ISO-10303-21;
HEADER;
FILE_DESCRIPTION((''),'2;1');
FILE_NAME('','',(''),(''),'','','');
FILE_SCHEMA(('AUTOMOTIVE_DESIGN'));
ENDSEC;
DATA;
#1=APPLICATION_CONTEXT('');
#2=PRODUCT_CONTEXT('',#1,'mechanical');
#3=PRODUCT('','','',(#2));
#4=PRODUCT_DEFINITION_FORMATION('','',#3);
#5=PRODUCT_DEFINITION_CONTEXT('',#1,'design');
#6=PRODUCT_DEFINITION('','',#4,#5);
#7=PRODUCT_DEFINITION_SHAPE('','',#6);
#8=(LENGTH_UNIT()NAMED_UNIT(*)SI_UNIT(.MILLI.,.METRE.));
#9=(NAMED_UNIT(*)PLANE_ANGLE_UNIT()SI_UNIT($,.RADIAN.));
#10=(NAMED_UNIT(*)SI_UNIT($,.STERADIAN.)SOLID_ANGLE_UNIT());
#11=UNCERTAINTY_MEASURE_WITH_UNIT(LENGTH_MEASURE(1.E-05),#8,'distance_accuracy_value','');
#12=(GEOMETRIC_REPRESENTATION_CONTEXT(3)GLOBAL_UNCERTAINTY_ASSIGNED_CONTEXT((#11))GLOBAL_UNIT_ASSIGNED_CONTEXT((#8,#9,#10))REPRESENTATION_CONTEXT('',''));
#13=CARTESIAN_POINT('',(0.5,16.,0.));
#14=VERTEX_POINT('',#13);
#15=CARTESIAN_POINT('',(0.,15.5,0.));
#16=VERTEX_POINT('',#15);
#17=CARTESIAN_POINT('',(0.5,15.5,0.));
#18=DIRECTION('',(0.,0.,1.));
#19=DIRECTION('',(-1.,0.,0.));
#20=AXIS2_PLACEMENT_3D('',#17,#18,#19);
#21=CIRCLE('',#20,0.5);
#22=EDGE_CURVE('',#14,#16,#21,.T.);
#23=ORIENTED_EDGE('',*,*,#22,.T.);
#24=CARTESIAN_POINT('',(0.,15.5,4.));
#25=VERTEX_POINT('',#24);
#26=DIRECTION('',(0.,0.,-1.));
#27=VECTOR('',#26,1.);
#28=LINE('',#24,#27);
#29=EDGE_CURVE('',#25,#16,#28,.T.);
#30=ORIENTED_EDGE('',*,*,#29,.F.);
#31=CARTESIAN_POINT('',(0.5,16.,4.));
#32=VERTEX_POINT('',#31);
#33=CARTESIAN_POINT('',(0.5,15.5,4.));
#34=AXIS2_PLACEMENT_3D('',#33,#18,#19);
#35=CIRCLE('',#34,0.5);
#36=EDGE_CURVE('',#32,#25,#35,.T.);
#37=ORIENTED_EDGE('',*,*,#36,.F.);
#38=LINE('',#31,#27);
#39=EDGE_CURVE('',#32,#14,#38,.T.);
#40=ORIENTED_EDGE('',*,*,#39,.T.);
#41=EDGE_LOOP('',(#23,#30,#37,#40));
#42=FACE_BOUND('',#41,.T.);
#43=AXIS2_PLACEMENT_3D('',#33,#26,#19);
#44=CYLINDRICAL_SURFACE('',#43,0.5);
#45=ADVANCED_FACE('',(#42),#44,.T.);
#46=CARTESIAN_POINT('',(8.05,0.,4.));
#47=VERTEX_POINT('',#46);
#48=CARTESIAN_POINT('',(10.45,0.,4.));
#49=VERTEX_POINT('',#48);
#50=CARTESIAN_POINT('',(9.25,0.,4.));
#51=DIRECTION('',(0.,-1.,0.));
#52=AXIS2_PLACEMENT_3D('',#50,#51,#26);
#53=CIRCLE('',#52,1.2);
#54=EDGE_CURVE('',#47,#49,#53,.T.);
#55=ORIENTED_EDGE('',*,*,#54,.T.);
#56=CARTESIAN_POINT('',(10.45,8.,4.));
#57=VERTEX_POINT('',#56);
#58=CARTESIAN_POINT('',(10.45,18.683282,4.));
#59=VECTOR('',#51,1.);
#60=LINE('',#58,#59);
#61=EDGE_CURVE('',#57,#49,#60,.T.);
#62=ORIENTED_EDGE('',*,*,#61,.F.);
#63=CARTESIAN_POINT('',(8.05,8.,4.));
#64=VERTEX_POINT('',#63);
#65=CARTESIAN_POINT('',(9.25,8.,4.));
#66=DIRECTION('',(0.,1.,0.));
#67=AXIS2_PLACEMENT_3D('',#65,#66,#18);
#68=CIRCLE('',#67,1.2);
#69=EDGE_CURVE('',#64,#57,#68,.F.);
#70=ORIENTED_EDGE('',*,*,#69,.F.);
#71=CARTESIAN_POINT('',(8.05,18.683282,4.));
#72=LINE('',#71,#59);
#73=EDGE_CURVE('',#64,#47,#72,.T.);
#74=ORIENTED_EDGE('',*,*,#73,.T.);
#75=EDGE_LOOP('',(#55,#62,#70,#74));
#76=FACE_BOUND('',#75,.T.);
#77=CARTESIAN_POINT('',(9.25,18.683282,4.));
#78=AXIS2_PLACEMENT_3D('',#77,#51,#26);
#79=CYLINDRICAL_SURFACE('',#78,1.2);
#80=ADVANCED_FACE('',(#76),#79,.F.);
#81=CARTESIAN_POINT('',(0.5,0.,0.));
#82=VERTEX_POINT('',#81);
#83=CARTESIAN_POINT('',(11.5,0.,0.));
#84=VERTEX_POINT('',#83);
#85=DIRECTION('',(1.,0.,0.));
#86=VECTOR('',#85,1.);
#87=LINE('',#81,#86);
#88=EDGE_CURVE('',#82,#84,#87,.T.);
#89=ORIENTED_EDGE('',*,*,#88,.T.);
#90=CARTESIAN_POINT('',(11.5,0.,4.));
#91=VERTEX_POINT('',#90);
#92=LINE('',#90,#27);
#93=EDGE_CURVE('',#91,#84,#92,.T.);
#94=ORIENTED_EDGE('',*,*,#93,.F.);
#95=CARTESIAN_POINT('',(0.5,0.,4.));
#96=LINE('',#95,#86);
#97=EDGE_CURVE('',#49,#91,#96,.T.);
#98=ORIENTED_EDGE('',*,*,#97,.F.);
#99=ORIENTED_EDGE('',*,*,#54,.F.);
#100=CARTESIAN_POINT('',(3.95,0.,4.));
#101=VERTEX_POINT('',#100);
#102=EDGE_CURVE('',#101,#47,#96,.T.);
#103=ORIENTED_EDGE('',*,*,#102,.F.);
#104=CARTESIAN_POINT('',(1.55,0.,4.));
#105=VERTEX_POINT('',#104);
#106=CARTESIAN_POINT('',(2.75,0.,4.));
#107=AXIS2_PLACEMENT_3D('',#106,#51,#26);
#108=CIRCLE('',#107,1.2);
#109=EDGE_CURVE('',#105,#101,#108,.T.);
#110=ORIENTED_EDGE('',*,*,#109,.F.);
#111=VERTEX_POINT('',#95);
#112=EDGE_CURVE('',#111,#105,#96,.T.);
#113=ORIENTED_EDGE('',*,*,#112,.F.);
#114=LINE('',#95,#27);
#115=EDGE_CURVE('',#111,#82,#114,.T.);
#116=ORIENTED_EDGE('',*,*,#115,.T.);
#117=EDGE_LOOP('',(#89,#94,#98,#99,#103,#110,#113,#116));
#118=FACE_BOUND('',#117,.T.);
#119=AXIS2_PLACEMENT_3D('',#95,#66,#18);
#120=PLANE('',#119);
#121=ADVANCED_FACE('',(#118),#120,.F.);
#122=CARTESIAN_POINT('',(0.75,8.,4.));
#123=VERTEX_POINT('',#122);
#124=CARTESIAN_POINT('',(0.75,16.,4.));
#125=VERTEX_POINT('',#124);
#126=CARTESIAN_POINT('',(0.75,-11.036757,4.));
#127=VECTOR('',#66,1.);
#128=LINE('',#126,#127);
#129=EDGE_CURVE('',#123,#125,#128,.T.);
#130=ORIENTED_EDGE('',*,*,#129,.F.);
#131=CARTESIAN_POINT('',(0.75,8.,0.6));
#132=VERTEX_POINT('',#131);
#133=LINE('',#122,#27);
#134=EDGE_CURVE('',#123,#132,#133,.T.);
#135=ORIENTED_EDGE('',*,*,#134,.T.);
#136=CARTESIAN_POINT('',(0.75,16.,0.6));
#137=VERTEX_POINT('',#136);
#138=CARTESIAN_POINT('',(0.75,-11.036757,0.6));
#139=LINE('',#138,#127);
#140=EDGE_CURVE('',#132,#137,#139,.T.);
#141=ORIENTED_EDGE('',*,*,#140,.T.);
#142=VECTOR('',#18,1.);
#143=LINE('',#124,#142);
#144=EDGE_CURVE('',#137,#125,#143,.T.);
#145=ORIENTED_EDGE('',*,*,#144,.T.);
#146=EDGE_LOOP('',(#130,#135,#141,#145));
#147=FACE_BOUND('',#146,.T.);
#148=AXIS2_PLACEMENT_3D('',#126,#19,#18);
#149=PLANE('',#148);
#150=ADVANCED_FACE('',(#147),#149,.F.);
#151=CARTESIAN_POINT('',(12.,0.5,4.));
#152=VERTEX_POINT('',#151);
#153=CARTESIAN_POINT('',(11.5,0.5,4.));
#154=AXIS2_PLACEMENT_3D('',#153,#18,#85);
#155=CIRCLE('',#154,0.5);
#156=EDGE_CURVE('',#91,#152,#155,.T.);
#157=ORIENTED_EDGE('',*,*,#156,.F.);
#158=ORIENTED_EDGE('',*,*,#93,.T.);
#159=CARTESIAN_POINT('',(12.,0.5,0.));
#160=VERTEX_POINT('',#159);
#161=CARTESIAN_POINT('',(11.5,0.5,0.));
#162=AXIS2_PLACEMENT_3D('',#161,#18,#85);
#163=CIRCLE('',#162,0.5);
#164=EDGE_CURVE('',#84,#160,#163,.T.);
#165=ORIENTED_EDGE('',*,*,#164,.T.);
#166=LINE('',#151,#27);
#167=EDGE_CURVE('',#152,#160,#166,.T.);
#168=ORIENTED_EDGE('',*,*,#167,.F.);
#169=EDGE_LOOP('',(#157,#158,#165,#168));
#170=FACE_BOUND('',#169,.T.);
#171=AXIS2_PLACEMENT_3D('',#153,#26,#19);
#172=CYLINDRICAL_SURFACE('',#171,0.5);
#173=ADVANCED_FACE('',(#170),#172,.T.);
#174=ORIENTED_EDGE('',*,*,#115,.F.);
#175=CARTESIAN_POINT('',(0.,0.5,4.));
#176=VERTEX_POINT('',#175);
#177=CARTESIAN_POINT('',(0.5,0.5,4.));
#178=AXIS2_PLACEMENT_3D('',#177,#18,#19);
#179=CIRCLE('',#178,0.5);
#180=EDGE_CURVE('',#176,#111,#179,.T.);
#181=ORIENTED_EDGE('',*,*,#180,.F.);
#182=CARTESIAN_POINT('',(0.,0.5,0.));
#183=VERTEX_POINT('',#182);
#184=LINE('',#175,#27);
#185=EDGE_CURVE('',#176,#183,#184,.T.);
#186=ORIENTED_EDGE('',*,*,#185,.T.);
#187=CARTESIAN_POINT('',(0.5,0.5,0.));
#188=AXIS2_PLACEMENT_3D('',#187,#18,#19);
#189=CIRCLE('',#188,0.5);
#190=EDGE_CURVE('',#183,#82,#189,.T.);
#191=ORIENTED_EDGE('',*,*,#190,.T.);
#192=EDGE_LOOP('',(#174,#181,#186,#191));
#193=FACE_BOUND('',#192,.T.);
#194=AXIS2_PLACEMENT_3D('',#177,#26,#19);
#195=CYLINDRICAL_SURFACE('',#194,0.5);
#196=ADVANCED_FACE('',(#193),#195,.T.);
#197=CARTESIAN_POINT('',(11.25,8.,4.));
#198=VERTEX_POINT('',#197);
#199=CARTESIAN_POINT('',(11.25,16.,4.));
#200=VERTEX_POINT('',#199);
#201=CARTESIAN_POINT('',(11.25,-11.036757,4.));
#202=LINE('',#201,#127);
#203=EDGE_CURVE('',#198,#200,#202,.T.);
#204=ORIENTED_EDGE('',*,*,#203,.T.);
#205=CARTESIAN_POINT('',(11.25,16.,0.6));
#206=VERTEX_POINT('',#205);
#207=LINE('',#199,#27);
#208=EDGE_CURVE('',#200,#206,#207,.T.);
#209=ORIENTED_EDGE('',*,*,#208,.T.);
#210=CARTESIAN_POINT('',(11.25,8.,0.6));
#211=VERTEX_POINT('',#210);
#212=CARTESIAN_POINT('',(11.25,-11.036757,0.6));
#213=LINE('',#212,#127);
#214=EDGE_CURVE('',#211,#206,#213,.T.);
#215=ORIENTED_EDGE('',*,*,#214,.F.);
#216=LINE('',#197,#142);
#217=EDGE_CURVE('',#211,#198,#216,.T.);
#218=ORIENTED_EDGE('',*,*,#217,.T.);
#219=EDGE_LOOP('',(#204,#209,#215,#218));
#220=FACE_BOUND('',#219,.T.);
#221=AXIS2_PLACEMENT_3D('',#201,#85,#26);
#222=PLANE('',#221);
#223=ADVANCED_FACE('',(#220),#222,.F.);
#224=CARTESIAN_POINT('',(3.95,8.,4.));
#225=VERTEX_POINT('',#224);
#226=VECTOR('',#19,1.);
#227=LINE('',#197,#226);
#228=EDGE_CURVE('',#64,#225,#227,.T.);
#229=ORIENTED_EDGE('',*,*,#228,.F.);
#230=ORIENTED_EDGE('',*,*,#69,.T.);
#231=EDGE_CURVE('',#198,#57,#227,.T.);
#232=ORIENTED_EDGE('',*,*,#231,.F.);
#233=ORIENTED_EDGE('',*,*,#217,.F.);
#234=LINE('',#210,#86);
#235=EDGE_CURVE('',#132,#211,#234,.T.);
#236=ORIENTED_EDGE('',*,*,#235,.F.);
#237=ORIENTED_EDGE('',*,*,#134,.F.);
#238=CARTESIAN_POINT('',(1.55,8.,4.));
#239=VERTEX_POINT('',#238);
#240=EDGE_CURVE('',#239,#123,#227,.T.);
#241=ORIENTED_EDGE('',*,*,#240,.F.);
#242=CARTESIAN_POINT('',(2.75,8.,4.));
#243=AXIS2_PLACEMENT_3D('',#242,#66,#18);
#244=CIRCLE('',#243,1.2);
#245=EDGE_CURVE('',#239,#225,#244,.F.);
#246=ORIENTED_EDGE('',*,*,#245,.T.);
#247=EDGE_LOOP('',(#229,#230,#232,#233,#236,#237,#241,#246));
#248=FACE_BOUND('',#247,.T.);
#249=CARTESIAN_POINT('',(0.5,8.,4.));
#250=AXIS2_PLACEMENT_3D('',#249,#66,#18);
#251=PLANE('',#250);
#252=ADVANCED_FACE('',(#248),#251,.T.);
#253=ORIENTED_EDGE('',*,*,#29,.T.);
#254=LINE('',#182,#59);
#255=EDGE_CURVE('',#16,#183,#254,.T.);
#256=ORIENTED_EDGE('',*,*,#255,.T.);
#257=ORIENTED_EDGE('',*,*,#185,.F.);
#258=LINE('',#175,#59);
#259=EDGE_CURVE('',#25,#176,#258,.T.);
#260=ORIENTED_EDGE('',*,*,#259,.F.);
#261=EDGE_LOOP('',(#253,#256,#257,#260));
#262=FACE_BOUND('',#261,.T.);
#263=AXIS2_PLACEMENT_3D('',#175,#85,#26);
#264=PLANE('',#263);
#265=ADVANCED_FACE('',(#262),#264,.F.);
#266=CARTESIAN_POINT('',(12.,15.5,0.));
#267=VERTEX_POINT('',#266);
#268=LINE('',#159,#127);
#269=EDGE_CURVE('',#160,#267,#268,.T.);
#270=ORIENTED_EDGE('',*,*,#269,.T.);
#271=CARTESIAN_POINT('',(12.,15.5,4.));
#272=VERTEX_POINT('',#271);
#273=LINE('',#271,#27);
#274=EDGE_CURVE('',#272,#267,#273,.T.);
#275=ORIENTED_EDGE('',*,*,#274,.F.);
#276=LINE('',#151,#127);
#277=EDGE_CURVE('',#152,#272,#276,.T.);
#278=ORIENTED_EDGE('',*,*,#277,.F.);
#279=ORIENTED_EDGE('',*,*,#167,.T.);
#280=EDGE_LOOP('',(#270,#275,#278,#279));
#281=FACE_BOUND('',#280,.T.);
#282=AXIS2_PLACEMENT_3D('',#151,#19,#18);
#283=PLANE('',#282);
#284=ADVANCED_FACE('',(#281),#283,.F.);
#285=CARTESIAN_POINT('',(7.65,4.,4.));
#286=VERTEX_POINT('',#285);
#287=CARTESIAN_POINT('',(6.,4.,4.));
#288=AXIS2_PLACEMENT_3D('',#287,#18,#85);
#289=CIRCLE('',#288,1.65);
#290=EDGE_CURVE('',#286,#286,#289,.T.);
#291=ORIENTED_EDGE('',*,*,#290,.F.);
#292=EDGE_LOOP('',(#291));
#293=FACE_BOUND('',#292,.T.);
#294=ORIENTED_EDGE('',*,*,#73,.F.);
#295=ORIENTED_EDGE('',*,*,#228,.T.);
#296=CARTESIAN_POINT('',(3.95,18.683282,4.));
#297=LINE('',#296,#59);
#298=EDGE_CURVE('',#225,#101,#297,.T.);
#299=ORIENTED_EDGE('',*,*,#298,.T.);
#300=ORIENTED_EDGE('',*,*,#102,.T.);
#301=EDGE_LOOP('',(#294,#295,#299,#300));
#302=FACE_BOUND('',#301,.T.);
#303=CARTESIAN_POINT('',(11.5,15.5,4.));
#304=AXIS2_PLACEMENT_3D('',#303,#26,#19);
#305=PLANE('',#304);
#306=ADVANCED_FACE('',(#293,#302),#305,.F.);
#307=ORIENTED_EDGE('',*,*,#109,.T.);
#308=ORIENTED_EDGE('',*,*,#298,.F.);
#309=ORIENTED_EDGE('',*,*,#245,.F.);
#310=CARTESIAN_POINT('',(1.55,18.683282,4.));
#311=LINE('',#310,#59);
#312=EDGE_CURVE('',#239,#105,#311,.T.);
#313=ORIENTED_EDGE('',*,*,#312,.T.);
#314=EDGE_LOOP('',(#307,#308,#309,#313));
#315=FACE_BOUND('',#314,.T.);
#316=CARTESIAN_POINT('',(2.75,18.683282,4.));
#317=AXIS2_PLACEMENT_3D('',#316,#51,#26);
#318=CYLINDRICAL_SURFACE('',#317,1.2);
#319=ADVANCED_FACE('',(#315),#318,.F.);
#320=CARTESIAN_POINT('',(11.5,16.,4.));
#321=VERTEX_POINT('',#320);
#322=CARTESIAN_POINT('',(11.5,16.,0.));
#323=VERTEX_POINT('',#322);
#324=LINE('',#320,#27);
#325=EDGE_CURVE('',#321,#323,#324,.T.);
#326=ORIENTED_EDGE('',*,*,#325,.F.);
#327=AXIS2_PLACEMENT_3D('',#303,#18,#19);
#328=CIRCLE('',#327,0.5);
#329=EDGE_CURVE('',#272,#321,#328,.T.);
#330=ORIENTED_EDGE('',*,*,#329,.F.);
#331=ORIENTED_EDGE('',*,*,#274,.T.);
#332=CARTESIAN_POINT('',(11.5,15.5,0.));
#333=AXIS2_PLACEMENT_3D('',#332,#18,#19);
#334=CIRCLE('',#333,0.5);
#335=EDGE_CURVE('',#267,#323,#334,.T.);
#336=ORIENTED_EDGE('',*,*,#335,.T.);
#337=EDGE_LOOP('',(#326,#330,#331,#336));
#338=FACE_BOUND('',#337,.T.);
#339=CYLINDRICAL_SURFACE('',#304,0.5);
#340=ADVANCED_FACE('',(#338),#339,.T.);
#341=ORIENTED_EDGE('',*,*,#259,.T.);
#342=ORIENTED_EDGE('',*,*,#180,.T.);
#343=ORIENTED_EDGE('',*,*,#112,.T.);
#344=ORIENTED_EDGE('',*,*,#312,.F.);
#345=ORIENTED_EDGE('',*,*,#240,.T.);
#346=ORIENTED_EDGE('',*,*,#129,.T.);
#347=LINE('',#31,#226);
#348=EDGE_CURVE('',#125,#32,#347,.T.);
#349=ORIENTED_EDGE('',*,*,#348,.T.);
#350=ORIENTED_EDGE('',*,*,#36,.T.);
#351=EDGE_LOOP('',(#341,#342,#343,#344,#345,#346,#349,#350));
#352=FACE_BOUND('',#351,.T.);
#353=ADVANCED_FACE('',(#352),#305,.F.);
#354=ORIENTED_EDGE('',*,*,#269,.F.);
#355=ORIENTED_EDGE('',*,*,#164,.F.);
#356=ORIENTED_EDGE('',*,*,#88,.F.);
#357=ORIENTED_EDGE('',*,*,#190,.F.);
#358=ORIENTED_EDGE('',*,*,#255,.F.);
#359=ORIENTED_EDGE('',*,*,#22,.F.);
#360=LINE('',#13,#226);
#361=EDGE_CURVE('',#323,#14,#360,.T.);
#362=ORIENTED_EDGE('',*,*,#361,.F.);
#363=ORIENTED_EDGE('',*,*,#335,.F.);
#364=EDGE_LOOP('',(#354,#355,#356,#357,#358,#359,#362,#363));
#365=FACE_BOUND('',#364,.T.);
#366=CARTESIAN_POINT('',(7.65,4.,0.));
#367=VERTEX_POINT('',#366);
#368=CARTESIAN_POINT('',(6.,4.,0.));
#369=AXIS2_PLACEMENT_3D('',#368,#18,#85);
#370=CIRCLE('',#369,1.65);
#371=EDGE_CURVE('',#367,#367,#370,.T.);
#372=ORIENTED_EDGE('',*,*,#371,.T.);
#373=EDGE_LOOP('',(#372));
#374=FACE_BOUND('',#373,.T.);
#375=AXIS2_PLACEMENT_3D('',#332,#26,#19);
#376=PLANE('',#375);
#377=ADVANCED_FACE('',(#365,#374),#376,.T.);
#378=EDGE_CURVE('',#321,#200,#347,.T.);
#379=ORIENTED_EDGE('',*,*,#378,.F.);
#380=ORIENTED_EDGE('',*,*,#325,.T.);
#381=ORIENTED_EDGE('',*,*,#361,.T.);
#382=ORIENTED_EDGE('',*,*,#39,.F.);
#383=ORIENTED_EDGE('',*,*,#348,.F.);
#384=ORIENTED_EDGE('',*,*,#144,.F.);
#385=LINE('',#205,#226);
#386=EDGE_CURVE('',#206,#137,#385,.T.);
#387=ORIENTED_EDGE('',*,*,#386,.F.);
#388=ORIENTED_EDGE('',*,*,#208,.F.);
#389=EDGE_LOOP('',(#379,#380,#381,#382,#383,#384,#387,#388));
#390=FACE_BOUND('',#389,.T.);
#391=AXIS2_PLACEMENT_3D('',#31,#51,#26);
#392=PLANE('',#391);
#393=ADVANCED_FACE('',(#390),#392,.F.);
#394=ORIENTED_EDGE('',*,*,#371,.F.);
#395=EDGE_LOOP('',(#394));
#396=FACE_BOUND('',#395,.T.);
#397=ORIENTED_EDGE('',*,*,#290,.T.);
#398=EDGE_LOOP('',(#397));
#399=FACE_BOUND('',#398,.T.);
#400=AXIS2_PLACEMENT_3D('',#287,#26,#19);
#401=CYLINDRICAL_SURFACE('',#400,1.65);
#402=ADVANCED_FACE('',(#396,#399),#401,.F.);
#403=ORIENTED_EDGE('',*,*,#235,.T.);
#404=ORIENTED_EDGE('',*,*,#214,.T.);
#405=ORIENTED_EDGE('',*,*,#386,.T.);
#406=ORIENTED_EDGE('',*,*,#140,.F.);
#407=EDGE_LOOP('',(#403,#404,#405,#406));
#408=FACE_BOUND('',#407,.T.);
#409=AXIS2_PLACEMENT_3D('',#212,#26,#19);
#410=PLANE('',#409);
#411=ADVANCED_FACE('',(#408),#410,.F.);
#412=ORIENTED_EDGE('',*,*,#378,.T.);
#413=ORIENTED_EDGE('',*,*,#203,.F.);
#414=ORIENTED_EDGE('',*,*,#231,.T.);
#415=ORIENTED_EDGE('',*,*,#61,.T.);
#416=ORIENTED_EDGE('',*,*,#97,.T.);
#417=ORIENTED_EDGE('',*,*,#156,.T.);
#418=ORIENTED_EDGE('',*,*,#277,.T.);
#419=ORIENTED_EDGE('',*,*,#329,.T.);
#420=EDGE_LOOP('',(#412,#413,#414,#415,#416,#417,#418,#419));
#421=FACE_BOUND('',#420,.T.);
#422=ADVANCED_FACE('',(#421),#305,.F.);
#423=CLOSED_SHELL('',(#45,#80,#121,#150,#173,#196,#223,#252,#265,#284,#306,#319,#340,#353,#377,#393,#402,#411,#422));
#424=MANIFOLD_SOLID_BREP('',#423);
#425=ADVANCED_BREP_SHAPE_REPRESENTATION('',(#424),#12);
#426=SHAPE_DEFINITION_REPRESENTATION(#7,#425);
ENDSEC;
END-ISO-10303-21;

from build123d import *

# Parameters (mm, degrees)
SKETCH1_R           = 1.65
BOSS_EXTRUDE1_DEPTH = 4
CUT_EXTRUDE1_DEPTH  = 16
SKETCH3_W           = 10.5
SKETCH3_H           = 3.4
CUT_EXTRUDE2_DEPTH  = 8


with BuildPart() as part:
    # Sketch1 → Boss-Extrude1 (new body)
    with BuildSketch(Plane.XY):
        with BuildLine():
            Line((0.5, 0), (11.5, 0))
            ThreePointArc((11.5, 0), (11.853553391, 0.146446609), (12, 0.5))
            Line((12, 0.5), (12, 15.5))
            ThreePointArc((12, 15.5), (11.853553391, 15.853553391), (11.5, 16))
            Line((11.5, 16), (0.5, 16))
            ThreePointArc((0.5, 16), (0.146446609, 15.853553391), (0, 15.5))
            Line((0, 15.5), (0, 0.5))
            ThreePointArc((0, 0.5), (0.146446609, 0.146446609), (0.5, 0))
        make_face()
        with Locations((6, 4)):
            Circle(SKETCH1_R, mode=Mode.SUBTRACT)
    extrude(amount=BOSS_EXTRUDE1_DEPTH)

    # Sketch2 → Cut-Extrude1 (cut)
    with BuildSketch(Plane.XZ):
        with BuildLine():
            Line((1.55, 4), (3.95, 4))
            ThreePointArc((3.95, 4), (2.75, 2.8), (1.55, 4))
        make_face()
        with BuildLine():
            Line((8.05, 4), (10.45, 4))
            ThreePointArc((10.45, 4), (9.25, 2.8), (8.05, 4))
        make_face()
    extrude(amount=-CUT_EXTRUDE1_DEPTH, mode=Mode.SUBTRACT)

    # Sketch3 → Cut-Extrude2 (cut)
    with BuildSketch(Plane(origin=(0, 16, 0), x_dir=(1, 0, 0), z_dir=(0, 1, 0))):
        with Locations((6, -2.3)):
            Rectangle(SKETCH3_W, SKETCH3_H)
    extrude(amount=-CUT_EXTRUDE2_DEPTH, mode=Mode.SUBTRACT)


solid = part.part
